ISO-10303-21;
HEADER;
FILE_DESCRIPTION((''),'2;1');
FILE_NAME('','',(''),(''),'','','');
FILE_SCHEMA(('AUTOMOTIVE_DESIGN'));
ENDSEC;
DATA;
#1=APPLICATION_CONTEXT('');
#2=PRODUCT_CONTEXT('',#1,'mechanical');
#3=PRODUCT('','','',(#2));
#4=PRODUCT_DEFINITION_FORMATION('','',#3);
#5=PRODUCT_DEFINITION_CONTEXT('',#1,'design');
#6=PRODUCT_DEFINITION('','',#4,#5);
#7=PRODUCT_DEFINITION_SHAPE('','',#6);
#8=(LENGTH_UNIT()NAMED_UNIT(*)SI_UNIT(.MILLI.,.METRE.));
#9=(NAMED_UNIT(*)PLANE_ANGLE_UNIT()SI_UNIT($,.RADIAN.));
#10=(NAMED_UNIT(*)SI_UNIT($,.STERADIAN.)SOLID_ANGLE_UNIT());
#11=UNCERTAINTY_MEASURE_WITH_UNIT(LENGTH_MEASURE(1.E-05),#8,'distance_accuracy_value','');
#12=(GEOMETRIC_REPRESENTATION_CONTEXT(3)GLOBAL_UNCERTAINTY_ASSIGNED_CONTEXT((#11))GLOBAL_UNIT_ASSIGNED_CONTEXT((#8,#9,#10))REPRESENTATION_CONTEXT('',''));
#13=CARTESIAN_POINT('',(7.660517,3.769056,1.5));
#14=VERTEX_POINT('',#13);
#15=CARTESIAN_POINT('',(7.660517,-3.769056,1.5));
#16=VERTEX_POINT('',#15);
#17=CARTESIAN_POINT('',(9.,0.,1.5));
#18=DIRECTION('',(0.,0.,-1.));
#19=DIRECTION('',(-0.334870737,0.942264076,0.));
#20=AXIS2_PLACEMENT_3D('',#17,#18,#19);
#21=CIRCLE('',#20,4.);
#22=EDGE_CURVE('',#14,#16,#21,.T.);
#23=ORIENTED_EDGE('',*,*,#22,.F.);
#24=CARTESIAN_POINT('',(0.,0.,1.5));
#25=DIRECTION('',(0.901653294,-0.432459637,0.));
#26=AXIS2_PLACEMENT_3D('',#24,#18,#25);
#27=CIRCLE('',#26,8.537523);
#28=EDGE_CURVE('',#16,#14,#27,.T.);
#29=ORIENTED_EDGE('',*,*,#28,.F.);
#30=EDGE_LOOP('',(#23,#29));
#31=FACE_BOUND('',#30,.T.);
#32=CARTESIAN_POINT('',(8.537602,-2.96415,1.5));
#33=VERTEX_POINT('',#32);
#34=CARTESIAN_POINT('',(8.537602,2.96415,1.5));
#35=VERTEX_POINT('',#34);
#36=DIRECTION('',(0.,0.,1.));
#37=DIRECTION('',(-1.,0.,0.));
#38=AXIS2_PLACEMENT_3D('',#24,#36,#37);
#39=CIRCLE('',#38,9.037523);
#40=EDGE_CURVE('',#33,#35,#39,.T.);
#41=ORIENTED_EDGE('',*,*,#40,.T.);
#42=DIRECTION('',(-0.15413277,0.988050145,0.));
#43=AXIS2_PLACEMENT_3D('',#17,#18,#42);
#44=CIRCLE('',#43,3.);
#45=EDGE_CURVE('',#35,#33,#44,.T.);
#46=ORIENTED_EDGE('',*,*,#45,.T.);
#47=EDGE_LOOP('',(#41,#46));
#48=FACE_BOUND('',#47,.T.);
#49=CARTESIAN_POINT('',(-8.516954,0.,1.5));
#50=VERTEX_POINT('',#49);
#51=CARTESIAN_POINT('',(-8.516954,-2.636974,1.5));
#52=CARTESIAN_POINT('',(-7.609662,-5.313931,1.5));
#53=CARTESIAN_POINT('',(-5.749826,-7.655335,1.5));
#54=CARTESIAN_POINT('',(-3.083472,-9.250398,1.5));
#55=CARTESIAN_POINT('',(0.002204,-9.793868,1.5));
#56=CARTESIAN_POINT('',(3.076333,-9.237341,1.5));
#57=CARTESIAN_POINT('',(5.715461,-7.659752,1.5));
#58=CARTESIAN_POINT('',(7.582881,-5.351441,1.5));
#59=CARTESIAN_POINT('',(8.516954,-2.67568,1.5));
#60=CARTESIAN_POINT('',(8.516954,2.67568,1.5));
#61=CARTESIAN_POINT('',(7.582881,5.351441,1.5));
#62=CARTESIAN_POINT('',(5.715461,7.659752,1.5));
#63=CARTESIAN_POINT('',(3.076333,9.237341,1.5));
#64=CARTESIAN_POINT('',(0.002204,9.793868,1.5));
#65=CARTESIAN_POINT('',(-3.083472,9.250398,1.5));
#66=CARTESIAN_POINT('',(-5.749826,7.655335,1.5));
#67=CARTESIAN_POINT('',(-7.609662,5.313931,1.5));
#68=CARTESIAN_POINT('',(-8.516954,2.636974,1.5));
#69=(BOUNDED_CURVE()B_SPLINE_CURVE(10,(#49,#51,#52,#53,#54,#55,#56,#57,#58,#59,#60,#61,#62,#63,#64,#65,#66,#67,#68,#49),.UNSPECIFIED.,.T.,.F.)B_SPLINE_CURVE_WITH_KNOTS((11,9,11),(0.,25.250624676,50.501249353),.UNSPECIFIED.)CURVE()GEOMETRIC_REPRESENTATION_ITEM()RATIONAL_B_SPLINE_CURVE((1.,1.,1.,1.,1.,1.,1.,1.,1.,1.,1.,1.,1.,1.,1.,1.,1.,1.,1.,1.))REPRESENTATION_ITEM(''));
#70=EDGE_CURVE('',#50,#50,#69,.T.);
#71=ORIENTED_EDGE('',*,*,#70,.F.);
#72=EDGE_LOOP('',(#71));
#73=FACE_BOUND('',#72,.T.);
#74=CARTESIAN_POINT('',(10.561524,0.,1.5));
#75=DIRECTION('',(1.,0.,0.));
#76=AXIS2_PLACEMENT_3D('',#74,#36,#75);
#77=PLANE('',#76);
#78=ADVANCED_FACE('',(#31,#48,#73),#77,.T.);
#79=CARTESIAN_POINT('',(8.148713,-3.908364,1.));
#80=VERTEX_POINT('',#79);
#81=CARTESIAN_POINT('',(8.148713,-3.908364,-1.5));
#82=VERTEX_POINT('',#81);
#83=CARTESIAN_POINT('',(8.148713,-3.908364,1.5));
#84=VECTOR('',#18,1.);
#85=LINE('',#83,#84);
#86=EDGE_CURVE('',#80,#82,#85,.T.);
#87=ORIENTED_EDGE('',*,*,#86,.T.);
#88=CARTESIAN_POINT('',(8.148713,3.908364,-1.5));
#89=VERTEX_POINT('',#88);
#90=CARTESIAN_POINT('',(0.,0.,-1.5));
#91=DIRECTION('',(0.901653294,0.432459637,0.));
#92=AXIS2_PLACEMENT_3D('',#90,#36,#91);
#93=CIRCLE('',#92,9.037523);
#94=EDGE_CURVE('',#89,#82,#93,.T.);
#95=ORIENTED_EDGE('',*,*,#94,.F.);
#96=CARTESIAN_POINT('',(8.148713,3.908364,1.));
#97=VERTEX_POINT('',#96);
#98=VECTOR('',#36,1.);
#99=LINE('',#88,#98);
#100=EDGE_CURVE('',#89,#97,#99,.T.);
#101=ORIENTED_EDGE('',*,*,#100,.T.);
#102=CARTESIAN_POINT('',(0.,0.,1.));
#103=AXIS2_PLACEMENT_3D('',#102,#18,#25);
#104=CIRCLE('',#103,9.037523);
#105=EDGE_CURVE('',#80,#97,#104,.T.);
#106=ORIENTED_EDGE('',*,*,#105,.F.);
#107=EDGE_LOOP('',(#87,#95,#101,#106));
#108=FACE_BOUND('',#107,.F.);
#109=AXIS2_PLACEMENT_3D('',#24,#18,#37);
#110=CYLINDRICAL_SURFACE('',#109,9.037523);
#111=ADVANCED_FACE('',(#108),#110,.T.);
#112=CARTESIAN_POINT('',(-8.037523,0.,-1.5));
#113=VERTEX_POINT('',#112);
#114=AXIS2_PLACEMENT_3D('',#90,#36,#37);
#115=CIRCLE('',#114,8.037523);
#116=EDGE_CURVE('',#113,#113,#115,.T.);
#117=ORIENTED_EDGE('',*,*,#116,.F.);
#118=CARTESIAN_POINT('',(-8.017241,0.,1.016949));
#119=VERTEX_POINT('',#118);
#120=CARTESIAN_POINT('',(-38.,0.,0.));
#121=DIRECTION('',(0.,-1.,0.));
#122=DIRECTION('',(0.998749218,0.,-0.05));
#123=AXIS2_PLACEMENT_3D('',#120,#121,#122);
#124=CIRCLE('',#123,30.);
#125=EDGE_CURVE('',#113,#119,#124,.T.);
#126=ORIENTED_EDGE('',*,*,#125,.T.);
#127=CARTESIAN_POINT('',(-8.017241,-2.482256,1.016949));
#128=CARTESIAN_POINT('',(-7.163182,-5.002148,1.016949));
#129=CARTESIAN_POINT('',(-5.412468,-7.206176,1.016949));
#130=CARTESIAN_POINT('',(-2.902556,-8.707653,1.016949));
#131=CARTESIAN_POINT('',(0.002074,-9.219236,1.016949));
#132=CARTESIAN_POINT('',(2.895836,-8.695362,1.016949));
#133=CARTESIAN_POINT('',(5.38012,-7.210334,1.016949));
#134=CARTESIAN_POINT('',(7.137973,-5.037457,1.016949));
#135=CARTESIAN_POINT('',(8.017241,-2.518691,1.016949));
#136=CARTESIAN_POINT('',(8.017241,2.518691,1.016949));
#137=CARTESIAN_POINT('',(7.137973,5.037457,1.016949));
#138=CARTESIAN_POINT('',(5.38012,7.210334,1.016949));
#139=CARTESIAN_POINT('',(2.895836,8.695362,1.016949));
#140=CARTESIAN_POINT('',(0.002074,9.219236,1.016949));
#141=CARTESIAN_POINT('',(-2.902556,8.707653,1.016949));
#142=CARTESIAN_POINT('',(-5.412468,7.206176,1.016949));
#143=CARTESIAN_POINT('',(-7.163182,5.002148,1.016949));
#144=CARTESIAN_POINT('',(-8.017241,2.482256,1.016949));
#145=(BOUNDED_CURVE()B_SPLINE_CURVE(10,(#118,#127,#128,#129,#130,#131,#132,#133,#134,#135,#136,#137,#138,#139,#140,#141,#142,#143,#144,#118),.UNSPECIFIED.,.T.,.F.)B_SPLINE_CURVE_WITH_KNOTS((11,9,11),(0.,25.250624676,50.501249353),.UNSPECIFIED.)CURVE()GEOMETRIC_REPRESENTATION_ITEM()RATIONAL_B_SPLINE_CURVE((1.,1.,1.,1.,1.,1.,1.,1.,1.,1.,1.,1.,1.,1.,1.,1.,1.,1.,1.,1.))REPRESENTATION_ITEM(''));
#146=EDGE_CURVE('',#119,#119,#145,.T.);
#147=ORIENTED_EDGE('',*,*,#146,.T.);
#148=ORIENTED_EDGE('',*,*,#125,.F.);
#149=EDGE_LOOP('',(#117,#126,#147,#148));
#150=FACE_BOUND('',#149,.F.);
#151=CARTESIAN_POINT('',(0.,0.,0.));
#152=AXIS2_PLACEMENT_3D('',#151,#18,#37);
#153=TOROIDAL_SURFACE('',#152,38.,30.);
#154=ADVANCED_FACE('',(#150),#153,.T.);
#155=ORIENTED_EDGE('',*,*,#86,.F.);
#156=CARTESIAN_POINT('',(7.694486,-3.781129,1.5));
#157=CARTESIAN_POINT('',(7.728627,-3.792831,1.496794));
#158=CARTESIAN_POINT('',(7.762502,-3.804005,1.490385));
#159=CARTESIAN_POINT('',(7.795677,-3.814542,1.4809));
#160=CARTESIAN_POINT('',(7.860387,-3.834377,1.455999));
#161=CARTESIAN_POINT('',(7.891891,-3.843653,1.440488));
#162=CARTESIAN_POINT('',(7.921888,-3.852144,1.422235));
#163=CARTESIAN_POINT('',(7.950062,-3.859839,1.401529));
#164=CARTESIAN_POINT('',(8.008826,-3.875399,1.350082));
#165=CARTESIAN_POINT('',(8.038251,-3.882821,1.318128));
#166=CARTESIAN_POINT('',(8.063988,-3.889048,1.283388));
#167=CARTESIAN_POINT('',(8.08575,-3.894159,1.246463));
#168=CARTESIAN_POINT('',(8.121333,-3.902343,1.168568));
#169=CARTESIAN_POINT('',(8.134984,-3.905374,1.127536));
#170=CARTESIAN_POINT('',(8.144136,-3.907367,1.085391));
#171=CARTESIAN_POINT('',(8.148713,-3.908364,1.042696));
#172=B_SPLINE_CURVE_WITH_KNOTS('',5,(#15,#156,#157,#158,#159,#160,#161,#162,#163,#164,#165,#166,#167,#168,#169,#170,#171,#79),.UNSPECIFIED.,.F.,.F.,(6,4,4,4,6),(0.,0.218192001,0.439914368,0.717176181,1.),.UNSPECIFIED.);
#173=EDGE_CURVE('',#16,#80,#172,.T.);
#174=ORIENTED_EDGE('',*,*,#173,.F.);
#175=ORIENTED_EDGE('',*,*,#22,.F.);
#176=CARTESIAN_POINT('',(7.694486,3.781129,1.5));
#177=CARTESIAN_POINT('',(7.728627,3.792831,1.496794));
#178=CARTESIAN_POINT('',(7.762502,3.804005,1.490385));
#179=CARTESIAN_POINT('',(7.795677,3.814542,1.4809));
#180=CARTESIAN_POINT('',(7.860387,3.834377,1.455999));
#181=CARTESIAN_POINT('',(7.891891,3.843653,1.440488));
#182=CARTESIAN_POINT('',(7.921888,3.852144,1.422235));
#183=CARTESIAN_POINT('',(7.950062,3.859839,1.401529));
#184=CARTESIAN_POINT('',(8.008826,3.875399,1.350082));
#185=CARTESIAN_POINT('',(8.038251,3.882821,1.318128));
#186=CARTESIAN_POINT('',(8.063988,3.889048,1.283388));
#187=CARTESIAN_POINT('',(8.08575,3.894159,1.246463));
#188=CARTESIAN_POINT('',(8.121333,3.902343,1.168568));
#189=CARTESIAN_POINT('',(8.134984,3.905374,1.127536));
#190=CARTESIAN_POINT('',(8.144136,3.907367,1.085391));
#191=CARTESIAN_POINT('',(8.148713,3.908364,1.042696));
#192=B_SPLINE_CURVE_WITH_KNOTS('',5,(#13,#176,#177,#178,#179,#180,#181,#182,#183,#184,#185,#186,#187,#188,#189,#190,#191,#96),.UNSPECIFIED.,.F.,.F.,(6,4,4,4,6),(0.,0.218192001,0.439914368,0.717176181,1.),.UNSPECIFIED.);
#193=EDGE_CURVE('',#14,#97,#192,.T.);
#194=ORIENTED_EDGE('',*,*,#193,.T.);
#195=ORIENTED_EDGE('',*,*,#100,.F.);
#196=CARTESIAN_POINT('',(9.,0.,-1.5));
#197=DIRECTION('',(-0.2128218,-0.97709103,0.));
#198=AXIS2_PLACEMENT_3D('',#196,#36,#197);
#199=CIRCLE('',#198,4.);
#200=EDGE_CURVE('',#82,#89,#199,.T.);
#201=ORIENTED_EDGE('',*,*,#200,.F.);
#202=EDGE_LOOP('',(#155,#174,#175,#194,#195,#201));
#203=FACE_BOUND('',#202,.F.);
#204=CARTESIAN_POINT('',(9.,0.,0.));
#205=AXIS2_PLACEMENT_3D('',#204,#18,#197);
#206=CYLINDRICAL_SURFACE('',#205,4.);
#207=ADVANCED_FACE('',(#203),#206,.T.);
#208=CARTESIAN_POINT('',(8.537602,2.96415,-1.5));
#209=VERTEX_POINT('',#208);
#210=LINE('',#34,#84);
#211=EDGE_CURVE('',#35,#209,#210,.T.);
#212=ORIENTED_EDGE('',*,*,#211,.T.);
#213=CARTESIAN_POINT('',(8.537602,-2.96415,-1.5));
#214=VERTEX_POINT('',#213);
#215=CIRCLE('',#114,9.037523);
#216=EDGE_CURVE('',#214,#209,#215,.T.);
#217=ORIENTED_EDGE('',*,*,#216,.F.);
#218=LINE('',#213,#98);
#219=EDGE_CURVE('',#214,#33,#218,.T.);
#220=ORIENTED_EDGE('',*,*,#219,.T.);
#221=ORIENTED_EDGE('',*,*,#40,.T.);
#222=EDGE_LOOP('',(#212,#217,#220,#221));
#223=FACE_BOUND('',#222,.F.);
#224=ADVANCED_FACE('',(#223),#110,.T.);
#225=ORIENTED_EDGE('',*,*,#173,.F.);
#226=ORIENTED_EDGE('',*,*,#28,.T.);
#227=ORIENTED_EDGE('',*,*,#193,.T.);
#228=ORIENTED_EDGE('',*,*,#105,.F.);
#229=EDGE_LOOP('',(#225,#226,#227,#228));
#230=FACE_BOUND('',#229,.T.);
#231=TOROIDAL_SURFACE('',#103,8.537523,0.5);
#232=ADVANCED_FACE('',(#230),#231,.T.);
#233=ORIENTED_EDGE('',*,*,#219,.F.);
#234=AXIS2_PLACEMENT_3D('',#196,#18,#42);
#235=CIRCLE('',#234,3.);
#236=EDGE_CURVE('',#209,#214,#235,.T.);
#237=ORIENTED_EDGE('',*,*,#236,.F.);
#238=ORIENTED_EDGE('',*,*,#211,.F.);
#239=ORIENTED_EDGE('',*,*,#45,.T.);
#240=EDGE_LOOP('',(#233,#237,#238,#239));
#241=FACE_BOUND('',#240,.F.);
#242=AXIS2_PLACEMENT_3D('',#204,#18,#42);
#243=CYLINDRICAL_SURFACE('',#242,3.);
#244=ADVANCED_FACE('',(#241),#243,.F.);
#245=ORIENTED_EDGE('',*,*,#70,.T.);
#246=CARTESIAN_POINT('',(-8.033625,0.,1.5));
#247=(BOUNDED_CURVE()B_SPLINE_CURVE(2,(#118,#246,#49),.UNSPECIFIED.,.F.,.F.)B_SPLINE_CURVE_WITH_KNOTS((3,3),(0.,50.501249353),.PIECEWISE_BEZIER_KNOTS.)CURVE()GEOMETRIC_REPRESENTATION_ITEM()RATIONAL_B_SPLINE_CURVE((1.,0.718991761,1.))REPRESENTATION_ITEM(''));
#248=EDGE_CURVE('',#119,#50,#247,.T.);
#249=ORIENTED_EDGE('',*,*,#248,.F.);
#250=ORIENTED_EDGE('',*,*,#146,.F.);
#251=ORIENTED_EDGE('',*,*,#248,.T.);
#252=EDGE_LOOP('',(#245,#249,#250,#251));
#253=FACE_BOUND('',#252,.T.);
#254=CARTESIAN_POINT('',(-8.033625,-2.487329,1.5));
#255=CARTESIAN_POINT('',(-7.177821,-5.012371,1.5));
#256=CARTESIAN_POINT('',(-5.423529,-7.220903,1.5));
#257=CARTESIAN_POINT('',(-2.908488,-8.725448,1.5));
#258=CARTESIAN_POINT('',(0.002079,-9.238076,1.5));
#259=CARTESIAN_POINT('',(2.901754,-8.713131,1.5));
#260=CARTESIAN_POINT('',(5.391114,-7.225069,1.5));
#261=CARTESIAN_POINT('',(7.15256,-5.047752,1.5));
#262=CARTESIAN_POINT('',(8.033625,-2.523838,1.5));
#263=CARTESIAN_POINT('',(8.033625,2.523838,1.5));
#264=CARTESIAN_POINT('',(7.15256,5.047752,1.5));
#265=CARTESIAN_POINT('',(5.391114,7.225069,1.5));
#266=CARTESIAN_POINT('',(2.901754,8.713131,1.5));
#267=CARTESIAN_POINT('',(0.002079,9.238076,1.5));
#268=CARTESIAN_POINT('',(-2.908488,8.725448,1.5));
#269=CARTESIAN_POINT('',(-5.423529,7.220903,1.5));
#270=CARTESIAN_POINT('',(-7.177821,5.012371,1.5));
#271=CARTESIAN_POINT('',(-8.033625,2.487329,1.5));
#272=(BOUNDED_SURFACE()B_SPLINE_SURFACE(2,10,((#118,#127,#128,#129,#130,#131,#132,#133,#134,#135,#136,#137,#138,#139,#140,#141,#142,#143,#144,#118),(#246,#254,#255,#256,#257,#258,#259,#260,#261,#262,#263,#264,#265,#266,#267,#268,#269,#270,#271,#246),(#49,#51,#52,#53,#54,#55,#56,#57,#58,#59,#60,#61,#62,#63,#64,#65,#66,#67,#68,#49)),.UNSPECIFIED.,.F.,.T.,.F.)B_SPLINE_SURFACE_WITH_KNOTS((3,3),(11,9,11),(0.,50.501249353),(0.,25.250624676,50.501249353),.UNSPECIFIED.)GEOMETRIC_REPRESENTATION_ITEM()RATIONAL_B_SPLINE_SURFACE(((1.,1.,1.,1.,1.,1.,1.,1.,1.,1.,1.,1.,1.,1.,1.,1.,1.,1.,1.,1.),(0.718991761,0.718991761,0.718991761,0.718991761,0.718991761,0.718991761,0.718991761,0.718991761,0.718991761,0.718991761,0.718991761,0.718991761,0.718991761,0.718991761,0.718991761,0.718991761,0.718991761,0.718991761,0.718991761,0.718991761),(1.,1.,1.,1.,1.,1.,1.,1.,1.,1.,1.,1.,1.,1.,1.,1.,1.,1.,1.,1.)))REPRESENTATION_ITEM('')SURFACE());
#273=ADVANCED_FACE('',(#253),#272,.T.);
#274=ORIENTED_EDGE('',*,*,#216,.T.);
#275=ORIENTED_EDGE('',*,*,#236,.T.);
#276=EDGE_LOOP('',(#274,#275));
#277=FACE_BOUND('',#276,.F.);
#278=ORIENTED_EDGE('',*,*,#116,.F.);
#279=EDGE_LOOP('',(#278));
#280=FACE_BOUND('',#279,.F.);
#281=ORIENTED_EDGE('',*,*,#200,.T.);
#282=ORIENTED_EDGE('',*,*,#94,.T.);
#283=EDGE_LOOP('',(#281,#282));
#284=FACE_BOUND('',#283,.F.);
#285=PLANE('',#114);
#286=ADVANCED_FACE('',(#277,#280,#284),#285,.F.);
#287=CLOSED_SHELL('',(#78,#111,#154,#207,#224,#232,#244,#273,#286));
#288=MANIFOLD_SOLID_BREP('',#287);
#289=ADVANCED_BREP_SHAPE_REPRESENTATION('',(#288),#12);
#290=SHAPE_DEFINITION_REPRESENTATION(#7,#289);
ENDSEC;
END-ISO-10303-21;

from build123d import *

# Parameters (mm, degrees)
F4_DEPTH = 1.5
F5_DEPTH = 1.5
F6_R     = 0.5


with BuildPart() as f2:
    # F1 (on Front) → F2 (revolve)
    with BuildSketch(Plane.XZ):
        with BuildLine():
            Line((-8.0375234668, 1.5), (-9.0375234668, 1.5))
            Line((-9.0375234668, 1.5), (-9.0375234668, -1.5))
            Line((-9.0375234668, -1.5), (-8.0375234668, -1.5))
            ThreePointArc((-8.0375234668, -1.5), (-8, 0), (-8.0375234668, 1.5))
        make_face()
    revolve(axis=Axis((0, 0, 9.5071946271), (0, 0, 1)))

    # F3 (on Top) → F4 (join)
    with BuildSketch(Plane.XY):
        with BuildLine():
            ThreePointArc((8.5376016897, -2.9641504352), (8.3565039155, -3.4417543091), (8.1487128008, -3.9083641213))
            ThreePointArc((8.1487128008, -3.9083641213), (13, 0), (8.1487128008, 3.9083641213))
            ThreePointArc((8.1487128008, 3.9083641213), (8.3565039155, 3.4417543091), (8.5376016897, 2.9641504352))
            ThreePointArc((8.5376016897, 2.9641504352), (12, 0), (8.5376016897, -2.9641504352))
        make_face()
    extrude(amount=-F4_DEPTH)

    # F5 (add): a face of the model
    f5_faces = [f2.faces().sort_by_distance(p)[0] for p in [
        (8.4430138573, 3.4773847555, 0),
    ]]
    extrude(f5_faces, amount=F5_DEPTH)

    # F6
    f6_edges = [f2.edges().sort_by_distance(p)[0] for p in [
        (-9.037523, 0, 1.5),
        (8.037523, 0, 1.5),
    ]]
    fillet(f6_edges, radius=F6_R)


solid = f2.part
